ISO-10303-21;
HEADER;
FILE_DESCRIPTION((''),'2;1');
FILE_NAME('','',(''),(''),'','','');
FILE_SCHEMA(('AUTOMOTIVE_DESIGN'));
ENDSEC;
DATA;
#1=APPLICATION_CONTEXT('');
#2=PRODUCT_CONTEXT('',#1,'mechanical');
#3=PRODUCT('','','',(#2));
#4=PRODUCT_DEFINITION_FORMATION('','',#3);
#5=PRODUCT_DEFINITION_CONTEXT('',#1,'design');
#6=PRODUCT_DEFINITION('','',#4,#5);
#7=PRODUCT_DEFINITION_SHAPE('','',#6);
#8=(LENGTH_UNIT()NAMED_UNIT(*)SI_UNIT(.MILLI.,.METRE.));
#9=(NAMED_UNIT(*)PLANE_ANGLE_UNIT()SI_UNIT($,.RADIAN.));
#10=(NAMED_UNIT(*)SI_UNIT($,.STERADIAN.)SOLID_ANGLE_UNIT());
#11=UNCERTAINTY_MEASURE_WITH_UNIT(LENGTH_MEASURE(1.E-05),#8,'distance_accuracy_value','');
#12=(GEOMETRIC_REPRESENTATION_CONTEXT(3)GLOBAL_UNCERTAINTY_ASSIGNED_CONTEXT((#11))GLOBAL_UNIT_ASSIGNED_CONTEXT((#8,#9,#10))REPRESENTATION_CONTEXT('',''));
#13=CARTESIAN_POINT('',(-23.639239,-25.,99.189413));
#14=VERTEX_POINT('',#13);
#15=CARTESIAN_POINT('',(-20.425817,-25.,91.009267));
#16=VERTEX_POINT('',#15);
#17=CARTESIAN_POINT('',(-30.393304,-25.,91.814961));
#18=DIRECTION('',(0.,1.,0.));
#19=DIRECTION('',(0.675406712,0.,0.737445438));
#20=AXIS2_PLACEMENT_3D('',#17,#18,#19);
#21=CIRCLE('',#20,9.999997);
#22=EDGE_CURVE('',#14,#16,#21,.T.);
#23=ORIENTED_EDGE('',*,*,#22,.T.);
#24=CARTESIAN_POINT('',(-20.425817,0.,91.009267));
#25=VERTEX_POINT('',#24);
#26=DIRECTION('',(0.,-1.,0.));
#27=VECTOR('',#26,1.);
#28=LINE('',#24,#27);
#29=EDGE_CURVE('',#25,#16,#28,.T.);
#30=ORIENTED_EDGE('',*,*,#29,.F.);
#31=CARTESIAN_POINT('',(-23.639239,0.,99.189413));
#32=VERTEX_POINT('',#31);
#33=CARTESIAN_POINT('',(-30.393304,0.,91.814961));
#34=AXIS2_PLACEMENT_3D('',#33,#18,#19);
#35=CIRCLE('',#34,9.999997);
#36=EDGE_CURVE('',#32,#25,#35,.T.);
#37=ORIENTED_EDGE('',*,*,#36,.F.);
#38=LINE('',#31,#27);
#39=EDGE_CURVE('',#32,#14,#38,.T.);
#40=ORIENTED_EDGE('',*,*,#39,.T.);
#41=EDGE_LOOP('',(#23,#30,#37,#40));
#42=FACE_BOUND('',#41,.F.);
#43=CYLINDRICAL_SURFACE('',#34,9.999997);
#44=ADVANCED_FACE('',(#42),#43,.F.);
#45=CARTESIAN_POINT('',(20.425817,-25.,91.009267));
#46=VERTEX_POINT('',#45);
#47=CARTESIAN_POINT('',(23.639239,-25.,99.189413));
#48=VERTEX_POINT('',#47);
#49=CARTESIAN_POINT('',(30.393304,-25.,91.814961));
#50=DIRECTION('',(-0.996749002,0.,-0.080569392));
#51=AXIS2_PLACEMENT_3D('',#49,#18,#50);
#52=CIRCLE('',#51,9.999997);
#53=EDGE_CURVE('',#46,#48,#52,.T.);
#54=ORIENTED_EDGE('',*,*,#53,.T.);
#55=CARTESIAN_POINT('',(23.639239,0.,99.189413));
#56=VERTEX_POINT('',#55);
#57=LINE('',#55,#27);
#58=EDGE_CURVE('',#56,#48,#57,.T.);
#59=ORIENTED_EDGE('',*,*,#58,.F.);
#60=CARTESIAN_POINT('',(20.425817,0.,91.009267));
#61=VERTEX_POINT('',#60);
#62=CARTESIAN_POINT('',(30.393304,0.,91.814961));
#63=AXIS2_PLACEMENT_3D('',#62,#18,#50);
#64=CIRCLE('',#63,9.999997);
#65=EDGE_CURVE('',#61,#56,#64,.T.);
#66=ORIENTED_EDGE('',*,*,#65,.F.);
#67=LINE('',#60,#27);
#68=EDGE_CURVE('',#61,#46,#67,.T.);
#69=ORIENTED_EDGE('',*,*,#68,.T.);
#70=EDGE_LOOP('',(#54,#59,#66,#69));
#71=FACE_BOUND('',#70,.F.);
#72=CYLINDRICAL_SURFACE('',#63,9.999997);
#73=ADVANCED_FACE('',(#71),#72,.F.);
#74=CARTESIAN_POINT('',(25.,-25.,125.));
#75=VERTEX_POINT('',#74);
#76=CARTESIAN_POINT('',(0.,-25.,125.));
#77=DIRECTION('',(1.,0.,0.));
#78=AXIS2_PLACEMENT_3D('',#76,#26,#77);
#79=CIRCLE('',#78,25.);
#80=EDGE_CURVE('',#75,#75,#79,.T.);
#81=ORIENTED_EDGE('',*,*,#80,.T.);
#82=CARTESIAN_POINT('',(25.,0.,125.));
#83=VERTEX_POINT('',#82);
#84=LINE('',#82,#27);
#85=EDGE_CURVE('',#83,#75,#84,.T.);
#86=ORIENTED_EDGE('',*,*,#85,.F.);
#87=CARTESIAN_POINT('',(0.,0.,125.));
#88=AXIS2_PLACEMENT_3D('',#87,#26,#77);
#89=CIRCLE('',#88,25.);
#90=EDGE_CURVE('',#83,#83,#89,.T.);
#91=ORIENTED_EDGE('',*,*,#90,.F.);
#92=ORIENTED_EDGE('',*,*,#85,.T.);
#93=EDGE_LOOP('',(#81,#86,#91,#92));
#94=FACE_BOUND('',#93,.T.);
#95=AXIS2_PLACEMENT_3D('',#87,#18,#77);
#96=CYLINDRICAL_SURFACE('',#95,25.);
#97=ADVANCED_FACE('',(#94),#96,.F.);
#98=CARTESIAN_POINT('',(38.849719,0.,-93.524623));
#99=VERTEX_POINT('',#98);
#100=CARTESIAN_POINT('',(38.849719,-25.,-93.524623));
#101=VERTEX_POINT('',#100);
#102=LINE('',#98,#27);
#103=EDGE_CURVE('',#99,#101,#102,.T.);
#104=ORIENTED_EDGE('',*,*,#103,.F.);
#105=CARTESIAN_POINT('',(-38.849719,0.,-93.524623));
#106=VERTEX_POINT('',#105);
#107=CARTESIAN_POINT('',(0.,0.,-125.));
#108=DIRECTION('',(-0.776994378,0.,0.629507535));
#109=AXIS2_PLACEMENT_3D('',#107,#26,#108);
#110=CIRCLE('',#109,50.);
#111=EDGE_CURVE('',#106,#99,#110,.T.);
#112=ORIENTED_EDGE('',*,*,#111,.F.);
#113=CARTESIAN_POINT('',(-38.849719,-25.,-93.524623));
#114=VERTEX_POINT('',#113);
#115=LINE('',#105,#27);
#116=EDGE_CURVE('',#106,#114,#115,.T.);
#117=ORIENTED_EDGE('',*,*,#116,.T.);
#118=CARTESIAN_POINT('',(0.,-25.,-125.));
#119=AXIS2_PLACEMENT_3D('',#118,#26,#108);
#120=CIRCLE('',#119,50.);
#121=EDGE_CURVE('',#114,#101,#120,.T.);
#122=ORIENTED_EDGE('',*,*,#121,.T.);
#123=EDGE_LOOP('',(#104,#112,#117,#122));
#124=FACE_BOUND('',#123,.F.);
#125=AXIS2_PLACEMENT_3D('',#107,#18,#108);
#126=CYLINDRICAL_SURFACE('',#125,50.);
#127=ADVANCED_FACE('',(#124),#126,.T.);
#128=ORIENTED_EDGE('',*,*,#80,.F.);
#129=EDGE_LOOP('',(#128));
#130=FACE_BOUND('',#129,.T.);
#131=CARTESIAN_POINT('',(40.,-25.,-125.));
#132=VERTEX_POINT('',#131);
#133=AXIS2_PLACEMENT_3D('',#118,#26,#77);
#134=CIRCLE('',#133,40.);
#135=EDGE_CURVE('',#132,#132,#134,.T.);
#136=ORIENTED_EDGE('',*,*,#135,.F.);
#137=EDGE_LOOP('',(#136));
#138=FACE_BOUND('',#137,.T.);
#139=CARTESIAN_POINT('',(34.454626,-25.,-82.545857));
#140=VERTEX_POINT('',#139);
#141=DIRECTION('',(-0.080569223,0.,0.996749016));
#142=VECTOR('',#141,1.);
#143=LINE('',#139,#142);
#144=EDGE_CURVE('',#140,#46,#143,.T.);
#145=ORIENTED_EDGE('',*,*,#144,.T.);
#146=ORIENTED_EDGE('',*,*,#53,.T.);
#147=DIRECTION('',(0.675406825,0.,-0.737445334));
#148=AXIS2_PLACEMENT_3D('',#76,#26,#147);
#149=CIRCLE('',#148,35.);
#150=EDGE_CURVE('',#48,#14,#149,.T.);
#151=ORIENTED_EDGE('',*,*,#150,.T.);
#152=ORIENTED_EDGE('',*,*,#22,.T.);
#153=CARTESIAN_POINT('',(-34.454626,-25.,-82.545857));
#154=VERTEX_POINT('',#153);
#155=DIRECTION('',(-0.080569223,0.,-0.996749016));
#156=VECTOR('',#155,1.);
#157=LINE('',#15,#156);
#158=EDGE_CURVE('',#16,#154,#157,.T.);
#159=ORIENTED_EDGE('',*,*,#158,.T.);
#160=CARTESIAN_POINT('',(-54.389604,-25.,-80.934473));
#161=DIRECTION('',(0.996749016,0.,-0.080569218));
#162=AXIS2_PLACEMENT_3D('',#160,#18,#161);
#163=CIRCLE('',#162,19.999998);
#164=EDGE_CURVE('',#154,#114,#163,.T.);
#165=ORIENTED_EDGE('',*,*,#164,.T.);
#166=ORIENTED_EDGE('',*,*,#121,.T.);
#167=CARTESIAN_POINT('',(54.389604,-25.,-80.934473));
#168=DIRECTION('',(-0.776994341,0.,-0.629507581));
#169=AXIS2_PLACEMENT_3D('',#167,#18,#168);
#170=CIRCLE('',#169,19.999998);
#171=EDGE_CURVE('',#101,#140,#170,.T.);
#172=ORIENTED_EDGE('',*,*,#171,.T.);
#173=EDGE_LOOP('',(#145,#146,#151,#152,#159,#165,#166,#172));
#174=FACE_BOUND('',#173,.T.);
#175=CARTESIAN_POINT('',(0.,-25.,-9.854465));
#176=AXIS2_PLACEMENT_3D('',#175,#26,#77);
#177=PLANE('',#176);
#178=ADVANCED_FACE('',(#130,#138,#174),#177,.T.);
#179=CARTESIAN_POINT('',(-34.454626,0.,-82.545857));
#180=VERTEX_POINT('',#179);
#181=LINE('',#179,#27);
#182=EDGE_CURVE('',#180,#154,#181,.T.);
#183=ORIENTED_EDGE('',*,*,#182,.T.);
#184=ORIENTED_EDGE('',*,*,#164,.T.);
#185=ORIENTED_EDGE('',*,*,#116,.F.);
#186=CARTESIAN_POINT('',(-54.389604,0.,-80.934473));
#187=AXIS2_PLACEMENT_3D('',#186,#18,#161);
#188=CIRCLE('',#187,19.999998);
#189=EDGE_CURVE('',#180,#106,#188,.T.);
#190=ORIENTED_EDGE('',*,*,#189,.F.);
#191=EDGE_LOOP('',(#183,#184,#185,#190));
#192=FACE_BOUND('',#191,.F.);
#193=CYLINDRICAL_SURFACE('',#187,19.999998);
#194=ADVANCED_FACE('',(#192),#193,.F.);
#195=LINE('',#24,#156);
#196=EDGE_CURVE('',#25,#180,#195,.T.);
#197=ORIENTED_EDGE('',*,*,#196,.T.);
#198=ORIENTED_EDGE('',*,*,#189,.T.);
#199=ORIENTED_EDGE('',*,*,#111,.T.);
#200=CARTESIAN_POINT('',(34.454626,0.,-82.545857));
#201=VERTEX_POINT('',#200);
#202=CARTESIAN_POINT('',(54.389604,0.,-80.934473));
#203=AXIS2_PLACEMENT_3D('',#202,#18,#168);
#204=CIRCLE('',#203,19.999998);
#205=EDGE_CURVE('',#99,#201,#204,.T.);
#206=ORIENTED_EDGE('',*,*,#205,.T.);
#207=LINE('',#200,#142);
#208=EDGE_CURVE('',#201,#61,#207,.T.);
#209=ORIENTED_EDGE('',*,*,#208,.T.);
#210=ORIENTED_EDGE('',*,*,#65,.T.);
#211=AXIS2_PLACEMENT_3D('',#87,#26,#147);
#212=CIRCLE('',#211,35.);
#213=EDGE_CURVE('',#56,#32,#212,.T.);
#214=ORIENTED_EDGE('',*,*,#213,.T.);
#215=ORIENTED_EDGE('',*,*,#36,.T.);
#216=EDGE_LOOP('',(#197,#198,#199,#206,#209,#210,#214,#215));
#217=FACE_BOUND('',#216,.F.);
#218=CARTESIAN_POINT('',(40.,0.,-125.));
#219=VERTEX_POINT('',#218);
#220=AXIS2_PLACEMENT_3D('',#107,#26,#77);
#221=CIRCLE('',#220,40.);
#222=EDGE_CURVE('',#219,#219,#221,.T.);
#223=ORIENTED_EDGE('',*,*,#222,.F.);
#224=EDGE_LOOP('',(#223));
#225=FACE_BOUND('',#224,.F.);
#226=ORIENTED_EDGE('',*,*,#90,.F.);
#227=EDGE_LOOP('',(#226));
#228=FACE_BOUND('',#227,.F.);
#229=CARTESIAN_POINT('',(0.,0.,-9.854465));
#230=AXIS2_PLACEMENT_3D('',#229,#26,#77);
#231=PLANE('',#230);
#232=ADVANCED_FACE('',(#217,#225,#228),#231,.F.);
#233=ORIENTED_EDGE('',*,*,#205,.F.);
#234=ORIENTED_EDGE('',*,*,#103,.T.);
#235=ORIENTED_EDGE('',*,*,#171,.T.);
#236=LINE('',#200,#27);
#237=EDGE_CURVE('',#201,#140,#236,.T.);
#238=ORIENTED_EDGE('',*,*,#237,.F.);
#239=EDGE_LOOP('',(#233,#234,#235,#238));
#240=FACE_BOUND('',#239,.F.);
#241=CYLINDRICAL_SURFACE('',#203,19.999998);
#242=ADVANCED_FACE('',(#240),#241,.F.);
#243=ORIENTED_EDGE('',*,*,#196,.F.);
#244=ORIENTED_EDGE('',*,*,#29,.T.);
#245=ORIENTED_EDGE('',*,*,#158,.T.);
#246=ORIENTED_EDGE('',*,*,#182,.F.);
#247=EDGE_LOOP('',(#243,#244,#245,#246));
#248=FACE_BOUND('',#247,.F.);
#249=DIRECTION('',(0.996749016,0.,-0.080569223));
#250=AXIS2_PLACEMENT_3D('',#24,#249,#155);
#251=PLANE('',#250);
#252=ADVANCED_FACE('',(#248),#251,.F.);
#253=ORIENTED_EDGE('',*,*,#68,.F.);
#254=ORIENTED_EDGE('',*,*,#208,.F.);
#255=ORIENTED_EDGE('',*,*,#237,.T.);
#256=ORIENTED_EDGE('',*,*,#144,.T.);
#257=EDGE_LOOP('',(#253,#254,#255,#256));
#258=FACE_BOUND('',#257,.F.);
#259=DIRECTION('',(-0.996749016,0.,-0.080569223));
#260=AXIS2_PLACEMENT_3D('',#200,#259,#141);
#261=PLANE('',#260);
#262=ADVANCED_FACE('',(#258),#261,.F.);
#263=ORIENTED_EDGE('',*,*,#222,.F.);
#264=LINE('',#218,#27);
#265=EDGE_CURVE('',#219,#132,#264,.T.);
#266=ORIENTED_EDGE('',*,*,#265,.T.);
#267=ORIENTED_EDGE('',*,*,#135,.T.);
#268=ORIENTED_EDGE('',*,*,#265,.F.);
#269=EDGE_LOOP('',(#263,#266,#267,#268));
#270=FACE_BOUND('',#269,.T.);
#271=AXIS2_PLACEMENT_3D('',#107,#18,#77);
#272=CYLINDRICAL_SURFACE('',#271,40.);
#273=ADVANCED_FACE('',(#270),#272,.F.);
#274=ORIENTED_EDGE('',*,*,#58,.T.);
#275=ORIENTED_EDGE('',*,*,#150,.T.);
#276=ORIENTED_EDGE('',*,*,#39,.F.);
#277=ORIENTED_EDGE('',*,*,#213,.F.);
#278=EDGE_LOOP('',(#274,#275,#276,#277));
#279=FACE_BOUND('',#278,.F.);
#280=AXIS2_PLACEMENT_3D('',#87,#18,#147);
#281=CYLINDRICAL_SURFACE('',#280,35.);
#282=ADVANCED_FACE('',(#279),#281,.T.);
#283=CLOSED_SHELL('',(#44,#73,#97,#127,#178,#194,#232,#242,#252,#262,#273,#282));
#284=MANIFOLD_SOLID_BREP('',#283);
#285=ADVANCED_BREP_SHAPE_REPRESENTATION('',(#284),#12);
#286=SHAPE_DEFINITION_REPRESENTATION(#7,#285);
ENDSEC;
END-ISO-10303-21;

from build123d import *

# Parameters (mm, degrees)
F0_R     = 40
F0_R_2   = 25
F1_DEPTH = 25


with BuildPart() as f1:
    # F0 (on Front) → F1 (new body)
    with BuildSketch(Plane.XZ):
        with BuildLine():
            ThreePointArc((20.425817, 91.009267), (21.085712, 95.47128), (23.639239, 99.189413))
            ThreePointArc((23.639239, 99.189413), (0, 160), (-23.639239, 99.189413))
            ThreePointArc((-23.639239, 99.189413), (-21.085712, 95.47128), (-20.425817, 91.009267))
            Line((-20.425817, 91.009267), (-34.454626, -82.545857))
            ThreePointArc((-34.454626, -82.545857), (-35.822165, -88.367515), (-38.849719, -93.524623))
            ThreePointArc((-38.849719, -93.524623), (0, -175), (38.849719, -93.524623))
            ThreePointArc((38.849719, -93.524623), (35.822165, -88.367515), (34.454626, -82.545857))
            Line((34.454626, -82.545857), (20.425817, 91.009267))
        make_face()
        with Locations((0, -125)):
            Circle(F0_R, mode=Mode.SUBTRACT)
        with Locations((0, 125)):
            Circle(F0_R_2, mode=Mode.SUBTRACT)
    extrude(amount=F1_DEPTH)


solid = f1.part
